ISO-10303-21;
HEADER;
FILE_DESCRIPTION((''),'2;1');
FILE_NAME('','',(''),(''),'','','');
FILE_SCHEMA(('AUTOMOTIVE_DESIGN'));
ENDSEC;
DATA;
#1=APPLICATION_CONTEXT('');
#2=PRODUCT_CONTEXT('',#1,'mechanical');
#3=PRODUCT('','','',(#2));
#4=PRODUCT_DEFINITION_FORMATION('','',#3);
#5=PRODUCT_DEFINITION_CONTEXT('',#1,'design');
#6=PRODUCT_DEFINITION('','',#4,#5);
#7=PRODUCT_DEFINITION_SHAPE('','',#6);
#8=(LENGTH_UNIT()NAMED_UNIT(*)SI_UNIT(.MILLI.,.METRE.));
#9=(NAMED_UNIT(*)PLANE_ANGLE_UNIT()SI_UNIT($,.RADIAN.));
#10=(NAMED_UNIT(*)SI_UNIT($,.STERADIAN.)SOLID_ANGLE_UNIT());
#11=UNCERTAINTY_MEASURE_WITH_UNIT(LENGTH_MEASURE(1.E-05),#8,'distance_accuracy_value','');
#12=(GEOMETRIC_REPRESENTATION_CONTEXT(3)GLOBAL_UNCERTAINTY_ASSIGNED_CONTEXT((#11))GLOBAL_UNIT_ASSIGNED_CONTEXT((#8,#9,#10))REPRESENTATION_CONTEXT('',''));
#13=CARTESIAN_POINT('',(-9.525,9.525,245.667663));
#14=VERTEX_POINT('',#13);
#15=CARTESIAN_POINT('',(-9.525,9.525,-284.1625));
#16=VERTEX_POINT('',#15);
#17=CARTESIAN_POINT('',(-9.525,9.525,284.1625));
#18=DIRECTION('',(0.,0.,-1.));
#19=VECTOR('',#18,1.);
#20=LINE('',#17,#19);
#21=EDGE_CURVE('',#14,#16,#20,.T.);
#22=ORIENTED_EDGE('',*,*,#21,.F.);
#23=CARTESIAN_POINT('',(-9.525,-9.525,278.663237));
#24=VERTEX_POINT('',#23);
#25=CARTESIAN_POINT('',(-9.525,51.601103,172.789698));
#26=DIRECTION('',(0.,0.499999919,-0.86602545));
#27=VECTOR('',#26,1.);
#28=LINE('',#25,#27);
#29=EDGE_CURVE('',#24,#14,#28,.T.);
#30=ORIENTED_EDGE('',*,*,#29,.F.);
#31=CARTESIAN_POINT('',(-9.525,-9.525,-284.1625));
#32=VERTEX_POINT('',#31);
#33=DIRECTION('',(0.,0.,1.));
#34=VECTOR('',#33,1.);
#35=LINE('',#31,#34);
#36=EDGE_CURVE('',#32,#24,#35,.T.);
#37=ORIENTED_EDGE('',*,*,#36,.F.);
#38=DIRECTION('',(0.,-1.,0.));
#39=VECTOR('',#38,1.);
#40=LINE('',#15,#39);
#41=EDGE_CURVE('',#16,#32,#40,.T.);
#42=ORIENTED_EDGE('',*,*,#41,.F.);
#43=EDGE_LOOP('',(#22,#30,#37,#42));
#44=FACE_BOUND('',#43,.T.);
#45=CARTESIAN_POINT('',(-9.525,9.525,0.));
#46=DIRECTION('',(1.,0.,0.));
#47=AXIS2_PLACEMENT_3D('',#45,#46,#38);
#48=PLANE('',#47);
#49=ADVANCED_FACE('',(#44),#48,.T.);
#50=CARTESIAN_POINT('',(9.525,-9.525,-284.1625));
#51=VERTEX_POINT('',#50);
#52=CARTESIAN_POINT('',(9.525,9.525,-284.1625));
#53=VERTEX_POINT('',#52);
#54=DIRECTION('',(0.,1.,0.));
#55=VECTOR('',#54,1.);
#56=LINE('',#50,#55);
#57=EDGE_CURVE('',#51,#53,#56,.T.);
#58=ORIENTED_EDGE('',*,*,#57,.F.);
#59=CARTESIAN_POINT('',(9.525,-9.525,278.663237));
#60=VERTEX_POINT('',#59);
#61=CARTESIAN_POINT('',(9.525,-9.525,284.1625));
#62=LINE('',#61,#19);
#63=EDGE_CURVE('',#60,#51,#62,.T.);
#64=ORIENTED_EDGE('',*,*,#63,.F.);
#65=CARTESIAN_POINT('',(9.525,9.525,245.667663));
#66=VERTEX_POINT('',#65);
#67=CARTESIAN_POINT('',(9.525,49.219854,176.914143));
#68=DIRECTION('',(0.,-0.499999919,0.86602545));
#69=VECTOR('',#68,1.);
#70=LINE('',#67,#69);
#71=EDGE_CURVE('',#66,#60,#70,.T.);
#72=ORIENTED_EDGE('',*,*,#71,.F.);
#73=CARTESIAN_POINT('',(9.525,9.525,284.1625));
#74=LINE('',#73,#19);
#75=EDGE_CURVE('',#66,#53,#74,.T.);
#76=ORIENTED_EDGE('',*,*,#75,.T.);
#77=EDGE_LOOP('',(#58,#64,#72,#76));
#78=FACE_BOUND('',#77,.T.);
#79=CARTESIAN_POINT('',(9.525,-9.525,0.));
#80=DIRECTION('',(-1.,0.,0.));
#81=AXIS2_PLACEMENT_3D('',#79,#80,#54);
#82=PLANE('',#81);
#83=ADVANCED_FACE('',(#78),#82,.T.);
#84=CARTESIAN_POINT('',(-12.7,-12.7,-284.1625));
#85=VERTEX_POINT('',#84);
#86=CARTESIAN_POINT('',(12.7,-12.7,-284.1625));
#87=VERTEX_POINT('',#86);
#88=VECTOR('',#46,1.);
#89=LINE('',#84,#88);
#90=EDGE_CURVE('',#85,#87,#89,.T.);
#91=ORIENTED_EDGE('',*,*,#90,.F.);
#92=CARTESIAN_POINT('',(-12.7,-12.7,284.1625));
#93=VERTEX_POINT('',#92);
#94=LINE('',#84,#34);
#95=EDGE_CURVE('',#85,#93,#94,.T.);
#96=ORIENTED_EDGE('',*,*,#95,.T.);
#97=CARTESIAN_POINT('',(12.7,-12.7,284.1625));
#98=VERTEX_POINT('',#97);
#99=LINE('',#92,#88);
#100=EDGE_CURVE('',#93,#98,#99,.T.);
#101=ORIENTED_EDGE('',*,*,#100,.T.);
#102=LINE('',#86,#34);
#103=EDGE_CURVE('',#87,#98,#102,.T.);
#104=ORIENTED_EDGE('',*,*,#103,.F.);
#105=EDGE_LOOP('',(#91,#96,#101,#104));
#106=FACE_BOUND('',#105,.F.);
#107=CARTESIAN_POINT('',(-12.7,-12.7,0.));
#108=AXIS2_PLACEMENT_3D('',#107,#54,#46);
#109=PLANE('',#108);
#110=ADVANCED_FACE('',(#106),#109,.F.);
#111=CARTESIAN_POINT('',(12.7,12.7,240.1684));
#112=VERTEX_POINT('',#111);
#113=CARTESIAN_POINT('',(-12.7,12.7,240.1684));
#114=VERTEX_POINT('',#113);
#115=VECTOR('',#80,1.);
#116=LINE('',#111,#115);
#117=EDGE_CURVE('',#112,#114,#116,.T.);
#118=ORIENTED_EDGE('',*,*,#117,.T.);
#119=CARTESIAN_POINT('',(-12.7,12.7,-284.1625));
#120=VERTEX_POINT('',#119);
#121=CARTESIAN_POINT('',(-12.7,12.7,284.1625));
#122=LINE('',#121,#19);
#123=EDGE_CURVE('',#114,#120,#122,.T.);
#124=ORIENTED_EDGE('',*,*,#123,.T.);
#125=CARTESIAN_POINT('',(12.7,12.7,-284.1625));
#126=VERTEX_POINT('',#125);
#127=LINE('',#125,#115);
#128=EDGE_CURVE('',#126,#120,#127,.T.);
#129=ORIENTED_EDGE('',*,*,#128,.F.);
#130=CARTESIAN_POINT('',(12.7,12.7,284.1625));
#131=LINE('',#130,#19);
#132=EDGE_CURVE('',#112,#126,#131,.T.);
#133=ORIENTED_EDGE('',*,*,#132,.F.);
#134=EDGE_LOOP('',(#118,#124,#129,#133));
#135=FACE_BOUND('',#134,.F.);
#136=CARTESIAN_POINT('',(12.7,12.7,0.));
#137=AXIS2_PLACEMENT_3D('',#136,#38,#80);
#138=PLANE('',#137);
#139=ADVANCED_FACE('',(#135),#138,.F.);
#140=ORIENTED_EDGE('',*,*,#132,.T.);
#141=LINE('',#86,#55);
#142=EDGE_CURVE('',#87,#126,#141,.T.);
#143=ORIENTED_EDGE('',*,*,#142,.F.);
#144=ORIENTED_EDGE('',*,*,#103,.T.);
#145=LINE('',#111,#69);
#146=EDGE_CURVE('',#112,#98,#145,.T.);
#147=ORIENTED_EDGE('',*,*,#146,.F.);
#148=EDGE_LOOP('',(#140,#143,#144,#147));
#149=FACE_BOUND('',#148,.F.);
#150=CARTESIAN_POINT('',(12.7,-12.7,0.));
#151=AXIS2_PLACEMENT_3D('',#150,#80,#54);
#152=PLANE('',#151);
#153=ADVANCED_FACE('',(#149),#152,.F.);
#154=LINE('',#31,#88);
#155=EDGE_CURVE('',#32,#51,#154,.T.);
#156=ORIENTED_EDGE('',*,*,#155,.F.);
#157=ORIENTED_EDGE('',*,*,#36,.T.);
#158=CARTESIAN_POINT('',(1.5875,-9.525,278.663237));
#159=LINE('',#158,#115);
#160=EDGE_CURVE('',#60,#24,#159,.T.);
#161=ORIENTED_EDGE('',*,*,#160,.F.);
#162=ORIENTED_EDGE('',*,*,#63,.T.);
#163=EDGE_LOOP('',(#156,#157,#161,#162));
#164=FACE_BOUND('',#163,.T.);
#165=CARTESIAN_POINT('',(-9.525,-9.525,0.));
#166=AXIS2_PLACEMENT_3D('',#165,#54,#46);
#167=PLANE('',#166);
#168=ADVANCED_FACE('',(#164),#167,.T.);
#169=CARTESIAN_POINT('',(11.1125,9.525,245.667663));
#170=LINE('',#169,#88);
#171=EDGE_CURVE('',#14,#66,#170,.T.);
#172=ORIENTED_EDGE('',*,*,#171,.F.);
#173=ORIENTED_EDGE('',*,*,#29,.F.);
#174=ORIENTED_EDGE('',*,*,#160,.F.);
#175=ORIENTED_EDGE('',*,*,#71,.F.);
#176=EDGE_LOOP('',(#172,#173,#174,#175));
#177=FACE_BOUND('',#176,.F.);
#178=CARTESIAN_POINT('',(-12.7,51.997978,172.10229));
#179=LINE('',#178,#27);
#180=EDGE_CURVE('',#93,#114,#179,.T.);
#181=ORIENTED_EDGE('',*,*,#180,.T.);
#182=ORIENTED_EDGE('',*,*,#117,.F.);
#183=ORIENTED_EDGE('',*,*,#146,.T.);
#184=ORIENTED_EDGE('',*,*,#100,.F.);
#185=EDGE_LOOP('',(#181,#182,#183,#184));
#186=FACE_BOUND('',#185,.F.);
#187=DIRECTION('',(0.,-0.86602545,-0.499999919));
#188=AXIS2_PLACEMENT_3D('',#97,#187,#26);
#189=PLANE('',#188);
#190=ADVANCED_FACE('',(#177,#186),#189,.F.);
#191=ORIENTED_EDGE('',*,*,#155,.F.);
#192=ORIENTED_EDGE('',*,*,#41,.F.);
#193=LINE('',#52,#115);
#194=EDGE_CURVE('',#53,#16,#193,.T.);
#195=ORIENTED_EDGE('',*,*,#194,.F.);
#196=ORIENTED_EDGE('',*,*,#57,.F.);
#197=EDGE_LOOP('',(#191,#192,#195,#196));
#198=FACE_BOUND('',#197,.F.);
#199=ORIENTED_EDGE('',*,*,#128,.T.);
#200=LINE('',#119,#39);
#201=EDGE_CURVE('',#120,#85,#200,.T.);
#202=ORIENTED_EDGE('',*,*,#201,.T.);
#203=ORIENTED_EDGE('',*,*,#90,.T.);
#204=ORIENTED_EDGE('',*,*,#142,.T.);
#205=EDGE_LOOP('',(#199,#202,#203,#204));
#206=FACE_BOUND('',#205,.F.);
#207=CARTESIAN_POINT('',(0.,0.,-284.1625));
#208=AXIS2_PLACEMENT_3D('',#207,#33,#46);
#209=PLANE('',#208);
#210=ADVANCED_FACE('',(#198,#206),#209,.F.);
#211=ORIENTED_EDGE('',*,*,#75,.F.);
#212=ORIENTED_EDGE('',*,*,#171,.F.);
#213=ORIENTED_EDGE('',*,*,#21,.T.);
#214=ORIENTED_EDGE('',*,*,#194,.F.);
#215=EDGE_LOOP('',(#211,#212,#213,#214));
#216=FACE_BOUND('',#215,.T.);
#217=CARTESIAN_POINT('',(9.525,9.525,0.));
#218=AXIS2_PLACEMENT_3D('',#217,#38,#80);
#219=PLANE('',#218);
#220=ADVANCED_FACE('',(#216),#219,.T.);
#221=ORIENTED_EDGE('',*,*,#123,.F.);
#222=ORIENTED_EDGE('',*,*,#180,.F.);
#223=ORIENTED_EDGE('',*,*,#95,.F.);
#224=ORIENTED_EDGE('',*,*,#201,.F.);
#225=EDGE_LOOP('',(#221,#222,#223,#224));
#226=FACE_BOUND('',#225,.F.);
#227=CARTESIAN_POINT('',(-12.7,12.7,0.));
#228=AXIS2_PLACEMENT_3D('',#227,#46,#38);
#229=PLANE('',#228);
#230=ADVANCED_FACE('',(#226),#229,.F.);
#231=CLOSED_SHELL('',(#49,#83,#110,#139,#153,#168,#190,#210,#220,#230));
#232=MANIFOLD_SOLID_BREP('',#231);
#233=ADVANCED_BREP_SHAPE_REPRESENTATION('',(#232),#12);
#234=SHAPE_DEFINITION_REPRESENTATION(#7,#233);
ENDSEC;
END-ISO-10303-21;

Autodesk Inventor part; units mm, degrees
ref_plane "YZ Plane" through (0, 0, 0) normal (1, 0, 0) x (0, 1, 0)
ref_plane "XZ Plane" through (0, 0, 0) normal (0, 1, 0) x (-1, 0, 0)
ref_plane "XY Plane" through (0, 0, 0) normal (0, 0, 1) x (1, 0, 0)
sketch "Sketch1" plane through (0, 0, 0) normal (0, 0, 1) x (1, 0, 0)
  line L0 (-12.7, -12.7) -> (12.7, -12.7)
  line L1 (12.7, -12.7) -> (12.7, 12.7)
  line L2 (12.7, 12.7) -> (-12.7, 12.7)
  line L3 (-12.7, 12.7) -> (-12.7, -12.7)
  line L4 (-12.7, -12.7) -> (12.7, 12.7) construction
  line L5 (12.7, -12.7) -> (-12.7, 12.7) construction
  line L6 (-9.525, -9.525) -> (9.525, -9.525)
  line L7 (9.525, -9.525) -> (9.525, 9.525)
  line L8 (9.525, 9.525) -> (-9.525, 9.525)
  line L9 (-9.525, 9.525) -> (-9.525, -9.525)
  line L10 (-9.525, -9.525) -> (9.525, 9.525) construction
  line L11 (9.525, -9.525) -> (-9.525, 9.525) construction
  point P0 (0, 0)
  dimension "d0" = 25.4
  dimension "d1" = 25.4
  dimension "d2" = 3.175
extrude "Extrusion1" add sketch "Sketch1" along normal mid plane 568.325
sketch "Sketch2" plane through (12.7, -12.7, 284.1625) normal (1, 0, 0) x (0, 0, -1)
  line L0 (0, 0) -> (568.325, 0) projected
  line L1 (0, 0) -> (43.9941, 25.4)
  line L2 (568.325, 25.4) -> (0, 25.4) projected
  line L3 (43.9941, 25.4) -> (0, 25.4)
  line L4 (0, 25.4) -> (0, 0)
  line L5 (0, 3.175) -> (568.325, 3.175) projected
  point P0 (284.1625, 12.7)
  dimension "d5" = 30
extrude "Extrusion2" cut sketch "Sketch2" against normal through all
properties part number "baseAluminumExtrusion"
